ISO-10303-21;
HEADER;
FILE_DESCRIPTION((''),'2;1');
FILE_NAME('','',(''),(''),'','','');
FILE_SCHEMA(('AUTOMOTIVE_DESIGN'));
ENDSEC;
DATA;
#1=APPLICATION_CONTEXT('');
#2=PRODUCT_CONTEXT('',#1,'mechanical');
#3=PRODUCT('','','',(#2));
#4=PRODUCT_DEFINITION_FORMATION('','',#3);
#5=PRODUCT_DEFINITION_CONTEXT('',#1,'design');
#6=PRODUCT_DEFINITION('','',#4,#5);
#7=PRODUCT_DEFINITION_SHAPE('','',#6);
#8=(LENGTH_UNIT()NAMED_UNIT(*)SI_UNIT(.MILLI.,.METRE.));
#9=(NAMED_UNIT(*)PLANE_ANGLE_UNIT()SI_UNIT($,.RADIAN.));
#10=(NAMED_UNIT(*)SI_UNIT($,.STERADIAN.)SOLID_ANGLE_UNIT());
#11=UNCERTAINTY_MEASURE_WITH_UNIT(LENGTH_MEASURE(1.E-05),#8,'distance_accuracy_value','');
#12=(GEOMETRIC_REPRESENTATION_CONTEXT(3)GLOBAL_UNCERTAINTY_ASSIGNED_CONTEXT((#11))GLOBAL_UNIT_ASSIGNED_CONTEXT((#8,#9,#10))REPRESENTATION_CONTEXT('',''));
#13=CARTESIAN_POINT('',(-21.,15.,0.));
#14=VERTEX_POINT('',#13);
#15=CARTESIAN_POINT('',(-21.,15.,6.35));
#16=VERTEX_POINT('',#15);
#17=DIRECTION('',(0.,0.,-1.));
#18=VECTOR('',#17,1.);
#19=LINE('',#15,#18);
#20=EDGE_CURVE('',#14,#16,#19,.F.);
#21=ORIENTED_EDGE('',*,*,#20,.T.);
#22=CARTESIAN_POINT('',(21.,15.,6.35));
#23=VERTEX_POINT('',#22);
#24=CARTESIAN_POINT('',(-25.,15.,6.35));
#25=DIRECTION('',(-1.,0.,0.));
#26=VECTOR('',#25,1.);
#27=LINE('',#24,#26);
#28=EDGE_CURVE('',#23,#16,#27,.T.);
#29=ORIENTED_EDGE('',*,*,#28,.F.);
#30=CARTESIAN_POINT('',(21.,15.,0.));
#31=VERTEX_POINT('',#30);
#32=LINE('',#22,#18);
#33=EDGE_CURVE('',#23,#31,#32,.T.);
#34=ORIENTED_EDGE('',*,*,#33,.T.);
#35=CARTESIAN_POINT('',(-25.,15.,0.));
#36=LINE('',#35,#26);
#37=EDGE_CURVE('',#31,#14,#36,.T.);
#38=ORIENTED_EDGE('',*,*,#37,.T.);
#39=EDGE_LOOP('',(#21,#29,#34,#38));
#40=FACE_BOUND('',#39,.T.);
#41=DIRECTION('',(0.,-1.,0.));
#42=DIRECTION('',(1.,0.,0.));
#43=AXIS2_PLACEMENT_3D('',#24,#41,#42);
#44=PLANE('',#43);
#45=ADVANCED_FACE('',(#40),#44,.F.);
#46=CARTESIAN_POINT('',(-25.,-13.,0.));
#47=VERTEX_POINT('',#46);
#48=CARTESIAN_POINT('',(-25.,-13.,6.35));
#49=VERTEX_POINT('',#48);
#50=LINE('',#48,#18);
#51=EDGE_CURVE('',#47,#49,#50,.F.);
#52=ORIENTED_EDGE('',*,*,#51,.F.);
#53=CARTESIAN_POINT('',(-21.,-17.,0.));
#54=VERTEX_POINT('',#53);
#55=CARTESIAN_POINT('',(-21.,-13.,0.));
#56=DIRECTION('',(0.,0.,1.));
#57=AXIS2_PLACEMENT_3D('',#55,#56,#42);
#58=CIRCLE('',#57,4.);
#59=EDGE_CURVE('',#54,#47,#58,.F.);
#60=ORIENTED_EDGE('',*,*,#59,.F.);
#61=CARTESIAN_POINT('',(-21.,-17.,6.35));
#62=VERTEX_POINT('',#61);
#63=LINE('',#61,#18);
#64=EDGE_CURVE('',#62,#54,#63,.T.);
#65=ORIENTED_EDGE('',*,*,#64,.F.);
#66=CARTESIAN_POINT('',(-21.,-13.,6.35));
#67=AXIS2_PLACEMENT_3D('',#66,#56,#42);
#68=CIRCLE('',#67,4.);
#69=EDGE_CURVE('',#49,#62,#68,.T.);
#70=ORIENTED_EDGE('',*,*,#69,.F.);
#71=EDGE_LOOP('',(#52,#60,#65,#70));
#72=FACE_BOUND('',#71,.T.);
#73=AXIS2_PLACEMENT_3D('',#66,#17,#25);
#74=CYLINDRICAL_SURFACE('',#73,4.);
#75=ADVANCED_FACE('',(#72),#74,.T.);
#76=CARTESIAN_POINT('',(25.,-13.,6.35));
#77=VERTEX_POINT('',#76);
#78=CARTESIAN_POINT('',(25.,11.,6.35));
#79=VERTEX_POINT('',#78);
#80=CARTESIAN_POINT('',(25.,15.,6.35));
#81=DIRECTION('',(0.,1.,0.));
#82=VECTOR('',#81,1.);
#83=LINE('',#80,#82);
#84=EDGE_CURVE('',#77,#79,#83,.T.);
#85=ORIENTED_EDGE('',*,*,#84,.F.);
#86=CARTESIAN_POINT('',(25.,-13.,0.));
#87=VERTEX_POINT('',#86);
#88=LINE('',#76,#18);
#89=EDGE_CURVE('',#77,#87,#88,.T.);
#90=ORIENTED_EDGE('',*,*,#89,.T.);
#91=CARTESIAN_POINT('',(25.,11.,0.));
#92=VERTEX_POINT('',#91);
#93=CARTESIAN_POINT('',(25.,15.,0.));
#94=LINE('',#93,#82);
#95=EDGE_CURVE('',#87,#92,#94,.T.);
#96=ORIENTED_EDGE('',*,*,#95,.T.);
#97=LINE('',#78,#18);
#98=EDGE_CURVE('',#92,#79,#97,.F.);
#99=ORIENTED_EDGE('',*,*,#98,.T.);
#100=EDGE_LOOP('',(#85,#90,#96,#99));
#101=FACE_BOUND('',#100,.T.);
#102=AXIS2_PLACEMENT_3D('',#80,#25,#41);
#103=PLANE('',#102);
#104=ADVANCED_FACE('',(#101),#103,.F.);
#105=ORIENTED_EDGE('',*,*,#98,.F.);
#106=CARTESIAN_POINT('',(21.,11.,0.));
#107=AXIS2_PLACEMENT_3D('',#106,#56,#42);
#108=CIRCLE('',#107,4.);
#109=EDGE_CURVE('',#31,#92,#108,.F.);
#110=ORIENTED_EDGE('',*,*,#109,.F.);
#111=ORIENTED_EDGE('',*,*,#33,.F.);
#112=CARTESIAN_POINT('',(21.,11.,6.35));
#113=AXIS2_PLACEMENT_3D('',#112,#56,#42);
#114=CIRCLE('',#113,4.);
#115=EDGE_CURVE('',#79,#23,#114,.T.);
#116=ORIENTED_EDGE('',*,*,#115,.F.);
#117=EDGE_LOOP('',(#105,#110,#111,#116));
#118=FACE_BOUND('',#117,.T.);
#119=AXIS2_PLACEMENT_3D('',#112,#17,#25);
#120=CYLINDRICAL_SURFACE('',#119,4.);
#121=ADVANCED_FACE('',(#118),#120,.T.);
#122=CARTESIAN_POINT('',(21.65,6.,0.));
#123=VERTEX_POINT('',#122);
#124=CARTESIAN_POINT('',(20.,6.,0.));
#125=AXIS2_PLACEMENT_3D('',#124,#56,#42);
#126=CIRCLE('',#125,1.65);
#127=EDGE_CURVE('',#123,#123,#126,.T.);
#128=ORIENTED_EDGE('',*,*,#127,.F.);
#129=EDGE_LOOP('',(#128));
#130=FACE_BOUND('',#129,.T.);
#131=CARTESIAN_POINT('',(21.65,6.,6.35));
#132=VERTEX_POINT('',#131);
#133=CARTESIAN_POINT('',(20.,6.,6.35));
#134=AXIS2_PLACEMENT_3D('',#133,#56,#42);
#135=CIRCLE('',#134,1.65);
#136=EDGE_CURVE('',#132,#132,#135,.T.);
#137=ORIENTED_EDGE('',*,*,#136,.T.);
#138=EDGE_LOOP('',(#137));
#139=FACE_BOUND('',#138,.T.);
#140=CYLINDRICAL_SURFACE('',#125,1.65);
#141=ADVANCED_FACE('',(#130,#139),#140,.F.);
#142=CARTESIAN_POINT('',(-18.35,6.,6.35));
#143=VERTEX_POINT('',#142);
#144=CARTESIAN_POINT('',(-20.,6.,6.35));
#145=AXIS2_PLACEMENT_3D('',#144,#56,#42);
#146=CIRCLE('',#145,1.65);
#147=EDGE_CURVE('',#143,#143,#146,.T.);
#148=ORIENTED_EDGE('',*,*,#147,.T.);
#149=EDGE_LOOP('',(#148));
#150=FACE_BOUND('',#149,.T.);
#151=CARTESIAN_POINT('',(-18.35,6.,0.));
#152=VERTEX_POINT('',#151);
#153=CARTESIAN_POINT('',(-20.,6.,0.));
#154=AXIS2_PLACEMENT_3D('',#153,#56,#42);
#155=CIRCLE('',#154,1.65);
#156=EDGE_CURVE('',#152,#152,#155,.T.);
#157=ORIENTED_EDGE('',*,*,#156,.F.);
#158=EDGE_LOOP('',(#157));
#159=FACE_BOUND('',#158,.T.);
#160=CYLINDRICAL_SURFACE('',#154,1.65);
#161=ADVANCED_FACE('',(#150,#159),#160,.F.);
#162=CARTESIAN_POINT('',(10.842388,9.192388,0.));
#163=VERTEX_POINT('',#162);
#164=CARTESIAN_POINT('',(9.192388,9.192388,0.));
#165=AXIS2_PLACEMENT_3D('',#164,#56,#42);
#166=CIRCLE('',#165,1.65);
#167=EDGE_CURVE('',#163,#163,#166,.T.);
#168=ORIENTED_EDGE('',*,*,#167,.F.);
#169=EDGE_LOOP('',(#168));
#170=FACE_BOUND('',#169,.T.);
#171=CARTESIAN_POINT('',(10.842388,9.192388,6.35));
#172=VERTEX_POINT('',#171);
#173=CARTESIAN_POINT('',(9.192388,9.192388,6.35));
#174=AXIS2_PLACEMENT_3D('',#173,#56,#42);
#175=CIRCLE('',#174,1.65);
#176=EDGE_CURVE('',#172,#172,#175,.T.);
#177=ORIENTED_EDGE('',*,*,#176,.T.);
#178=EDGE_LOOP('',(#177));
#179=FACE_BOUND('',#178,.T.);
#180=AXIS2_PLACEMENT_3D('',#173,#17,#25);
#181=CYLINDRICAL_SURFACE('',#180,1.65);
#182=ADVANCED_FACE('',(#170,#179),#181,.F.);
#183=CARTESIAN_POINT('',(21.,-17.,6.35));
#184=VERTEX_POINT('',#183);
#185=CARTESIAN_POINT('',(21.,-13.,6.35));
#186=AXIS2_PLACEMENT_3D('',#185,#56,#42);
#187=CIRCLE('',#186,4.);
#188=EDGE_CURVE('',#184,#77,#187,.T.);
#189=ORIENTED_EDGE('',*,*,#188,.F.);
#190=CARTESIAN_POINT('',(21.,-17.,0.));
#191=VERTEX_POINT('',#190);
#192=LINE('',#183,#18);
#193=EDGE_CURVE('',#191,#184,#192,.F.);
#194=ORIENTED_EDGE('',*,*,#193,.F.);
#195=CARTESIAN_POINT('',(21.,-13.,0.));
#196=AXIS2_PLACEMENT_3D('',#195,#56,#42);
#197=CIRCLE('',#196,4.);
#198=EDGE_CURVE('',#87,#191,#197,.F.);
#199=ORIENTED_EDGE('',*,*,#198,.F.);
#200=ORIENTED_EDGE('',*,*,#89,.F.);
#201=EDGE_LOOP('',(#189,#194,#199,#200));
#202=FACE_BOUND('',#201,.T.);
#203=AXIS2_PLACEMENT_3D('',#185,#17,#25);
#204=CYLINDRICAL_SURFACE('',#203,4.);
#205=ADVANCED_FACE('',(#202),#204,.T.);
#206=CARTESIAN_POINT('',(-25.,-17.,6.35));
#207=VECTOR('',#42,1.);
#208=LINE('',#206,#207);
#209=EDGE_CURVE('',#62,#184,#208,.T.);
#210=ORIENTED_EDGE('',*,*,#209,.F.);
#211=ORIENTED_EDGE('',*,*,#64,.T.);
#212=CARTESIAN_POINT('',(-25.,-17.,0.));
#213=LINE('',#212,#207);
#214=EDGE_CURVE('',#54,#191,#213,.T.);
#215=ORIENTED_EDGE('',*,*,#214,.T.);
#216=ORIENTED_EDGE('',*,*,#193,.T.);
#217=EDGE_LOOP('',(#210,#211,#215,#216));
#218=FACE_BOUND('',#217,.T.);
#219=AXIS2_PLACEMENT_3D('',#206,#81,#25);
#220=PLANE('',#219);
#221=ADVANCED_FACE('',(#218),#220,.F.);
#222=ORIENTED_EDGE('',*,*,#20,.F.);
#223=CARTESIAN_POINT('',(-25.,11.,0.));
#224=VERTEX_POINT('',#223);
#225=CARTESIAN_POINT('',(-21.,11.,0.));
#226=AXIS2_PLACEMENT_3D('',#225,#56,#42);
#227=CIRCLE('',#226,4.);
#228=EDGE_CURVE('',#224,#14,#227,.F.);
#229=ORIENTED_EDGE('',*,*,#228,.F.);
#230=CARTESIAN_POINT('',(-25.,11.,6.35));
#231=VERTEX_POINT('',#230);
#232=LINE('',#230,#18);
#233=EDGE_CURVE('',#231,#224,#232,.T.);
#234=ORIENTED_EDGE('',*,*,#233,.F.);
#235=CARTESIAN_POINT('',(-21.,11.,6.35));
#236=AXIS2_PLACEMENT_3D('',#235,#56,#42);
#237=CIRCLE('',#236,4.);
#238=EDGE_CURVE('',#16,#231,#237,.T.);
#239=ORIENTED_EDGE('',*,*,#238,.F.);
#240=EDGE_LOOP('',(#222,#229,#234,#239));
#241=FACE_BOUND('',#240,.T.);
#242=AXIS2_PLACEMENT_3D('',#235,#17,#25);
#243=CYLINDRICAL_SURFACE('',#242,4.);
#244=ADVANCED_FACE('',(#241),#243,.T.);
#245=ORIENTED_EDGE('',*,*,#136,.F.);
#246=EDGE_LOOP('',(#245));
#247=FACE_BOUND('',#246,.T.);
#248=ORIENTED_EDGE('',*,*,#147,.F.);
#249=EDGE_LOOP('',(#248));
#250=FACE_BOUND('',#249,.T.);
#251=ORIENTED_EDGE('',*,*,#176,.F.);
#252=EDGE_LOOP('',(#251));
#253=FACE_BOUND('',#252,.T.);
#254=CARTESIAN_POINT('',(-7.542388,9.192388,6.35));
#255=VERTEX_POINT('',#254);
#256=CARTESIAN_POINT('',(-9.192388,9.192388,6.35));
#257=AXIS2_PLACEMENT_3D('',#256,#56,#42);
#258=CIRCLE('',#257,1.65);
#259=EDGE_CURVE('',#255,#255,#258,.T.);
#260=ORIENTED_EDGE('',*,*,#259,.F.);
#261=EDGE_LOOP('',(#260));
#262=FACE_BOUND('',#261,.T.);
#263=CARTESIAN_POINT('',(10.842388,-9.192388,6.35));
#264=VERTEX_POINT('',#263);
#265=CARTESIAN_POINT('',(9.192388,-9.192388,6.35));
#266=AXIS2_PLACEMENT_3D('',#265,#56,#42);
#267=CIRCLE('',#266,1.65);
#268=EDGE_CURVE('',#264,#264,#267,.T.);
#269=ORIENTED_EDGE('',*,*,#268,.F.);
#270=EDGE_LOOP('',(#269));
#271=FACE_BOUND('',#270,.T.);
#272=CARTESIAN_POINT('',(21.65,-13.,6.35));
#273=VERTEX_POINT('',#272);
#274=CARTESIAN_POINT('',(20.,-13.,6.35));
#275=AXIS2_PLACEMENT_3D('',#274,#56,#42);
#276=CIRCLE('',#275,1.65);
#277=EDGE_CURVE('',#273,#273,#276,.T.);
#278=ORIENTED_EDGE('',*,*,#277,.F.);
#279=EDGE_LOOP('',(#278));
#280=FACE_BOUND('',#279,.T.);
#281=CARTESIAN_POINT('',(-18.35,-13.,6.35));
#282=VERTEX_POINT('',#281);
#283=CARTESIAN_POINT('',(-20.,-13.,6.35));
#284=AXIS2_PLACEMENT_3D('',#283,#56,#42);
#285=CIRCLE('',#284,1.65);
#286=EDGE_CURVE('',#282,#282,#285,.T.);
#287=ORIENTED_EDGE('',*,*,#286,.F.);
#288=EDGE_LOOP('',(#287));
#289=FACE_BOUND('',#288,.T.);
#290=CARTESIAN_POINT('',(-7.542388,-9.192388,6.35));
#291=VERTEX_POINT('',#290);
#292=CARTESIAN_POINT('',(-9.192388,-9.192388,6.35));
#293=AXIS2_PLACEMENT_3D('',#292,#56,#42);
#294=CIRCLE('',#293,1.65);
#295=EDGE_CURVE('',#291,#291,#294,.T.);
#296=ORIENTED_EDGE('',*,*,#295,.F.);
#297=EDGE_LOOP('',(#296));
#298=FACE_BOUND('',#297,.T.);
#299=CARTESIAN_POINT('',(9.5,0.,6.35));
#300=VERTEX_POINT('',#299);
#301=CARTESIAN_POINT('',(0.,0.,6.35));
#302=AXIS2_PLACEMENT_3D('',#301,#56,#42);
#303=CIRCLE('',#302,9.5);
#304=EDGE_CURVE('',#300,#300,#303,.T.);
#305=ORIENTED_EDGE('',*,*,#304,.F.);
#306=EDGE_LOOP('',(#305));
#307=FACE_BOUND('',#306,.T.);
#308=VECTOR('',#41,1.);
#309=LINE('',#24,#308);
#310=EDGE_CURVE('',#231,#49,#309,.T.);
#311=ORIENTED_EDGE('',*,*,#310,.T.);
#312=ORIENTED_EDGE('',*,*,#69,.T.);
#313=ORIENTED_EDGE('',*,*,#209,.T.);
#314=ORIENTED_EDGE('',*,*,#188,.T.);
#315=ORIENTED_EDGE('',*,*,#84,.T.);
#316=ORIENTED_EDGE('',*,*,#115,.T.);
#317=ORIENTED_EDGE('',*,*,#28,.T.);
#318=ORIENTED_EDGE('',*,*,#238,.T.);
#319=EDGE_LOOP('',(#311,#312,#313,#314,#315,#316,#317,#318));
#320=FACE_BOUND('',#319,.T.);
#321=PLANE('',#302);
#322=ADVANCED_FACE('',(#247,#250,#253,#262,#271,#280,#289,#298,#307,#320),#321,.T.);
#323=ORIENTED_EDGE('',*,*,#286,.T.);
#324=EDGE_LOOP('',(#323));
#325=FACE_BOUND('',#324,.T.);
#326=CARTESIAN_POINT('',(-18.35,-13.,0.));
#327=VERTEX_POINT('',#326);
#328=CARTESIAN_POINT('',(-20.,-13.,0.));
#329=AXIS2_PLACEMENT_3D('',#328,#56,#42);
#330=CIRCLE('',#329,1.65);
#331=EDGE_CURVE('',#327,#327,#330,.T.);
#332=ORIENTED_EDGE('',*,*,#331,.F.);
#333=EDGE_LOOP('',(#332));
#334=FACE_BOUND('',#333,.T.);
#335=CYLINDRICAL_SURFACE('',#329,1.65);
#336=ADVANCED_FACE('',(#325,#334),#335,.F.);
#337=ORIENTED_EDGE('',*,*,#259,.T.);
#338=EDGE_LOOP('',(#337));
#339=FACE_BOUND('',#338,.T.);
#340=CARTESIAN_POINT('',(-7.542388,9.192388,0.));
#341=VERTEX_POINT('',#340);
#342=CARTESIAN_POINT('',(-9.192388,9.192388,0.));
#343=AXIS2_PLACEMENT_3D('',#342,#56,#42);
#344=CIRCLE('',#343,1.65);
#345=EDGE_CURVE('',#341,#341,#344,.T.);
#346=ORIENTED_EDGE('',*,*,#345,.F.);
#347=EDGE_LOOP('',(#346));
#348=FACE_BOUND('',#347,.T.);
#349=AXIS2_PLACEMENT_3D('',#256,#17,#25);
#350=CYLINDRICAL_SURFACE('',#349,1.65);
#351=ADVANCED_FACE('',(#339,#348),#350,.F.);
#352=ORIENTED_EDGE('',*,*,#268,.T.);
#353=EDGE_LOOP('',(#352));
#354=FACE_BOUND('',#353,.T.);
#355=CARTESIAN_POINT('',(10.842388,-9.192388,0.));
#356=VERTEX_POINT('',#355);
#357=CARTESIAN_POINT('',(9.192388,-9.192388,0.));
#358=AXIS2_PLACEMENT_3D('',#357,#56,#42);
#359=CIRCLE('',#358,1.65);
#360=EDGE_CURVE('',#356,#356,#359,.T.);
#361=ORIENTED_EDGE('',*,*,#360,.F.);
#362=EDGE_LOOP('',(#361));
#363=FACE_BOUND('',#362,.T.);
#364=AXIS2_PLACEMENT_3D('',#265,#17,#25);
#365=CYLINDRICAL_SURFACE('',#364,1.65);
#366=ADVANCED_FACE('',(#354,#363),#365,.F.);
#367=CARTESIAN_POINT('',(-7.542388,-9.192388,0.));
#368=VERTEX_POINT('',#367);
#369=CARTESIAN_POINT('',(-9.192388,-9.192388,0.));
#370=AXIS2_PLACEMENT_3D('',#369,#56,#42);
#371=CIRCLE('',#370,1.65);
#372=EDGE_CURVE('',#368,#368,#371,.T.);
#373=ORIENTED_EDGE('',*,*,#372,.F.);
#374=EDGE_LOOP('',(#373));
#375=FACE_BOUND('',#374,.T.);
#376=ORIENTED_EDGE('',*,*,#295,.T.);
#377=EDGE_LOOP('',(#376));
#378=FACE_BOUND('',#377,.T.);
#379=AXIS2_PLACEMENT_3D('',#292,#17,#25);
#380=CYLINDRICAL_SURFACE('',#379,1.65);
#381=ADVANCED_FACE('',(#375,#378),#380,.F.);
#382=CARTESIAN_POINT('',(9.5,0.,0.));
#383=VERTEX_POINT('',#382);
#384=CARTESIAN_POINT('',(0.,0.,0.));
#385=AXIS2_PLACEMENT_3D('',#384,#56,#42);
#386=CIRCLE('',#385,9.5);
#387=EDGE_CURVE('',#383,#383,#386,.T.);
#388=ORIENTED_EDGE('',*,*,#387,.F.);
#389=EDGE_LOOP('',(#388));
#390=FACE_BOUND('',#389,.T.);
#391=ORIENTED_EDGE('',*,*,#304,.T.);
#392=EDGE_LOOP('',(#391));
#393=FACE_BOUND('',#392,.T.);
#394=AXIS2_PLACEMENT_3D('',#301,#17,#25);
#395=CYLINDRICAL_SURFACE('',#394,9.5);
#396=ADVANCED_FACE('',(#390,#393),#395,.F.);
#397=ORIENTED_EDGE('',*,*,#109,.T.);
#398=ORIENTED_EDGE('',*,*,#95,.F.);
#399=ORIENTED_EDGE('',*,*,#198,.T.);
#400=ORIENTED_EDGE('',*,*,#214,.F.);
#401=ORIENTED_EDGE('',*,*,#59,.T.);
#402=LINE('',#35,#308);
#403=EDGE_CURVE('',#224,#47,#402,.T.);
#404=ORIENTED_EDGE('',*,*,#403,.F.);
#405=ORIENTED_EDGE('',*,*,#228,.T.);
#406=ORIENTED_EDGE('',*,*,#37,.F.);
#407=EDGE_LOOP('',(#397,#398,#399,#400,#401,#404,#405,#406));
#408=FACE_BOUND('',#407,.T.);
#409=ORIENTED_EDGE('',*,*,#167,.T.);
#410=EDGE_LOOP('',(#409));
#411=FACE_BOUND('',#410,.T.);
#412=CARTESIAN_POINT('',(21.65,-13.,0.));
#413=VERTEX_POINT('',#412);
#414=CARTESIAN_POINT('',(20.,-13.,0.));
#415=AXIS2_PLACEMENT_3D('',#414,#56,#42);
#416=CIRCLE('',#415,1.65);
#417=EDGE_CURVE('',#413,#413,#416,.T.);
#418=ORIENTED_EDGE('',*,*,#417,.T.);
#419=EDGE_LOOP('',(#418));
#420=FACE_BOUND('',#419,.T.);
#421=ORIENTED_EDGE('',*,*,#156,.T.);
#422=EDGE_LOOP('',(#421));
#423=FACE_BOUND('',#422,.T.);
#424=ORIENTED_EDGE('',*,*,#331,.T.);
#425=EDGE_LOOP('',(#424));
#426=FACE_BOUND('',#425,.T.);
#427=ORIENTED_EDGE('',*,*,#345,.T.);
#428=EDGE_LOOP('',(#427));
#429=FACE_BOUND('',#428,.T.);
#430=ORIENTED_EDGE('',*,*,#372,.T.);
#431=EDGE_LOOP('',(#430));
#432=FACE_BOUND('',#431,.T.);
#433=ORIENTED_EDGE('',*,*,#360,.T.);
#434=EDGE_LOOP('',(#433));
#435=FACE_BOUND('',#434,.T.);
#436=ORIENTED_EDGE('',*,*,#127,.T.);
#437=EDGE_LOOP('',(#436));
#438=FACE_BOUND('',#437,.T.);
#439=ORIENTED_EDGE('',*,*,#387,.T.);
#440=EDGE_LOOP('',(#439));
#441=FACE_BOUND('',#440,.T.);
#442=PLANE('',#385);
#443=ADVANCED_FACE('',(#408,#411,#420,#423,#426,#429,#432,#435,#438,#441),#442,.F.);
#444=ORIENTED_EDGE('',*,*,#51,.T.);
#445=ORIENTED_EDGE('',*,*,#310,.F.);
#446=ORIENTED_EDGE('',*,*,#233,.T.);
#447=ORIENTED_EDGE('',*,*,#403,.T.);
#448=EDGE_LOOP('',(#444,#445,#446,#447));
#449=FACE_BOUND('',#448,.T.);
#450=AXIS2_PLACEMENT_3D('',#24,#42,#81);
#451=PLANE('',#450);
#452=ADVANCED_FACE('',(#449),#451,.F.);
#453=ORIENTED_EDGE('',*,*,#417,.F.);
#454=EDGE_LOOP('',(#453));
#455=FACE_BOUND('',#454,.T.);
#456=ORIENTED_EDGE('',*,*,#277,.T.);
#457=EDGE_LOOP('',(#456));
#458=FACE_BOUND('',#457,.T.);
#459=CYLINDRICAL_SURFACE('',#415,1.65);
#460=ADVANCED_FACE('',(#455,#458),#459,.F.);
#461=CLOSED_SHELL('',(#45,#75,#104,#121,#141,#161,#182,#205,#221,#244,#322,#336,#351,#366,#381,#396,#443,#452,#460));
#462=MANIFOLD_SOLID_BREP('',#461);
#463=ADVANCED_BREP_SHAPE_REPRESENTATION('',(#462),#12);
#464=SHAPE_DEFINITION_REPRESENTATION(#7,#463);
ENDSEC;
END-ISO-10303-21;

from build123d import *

# Parameters (mm, degrees)
SKETCH1_W           = 50
SKETCH1_H           = 32
SKETCH1_R           = 9.5
SKETCH1_R_2         = 1.65
BOSS_EXTRUDE1_DEPTH = 6.35
SKETCH2_R           = 1.65
CUT_EXTRUDE1_DEPTH  = 31.892110643
FILLET1_R           = 4


with BuildPart() as part:
    # Sketch1 → Boss-Extrude1 (new body)
    with BuildSketch(Plane.XY):
        with Locations((0, -1)):
            Rectangle(SKETCH1_W, SKETCH1_H)
        Circle(SKETCH1_R, mode=Mode.SUBTRACT)
        with Locations((-9.192388155, 9.192388155)):
            Circle(SKETCH1_R_2, mode=Mode.SUBTRACT)
        with Locations((9.192388155, 9.192388155)):
            Circle(SKETCH1_R_2, mode=Mode.SUBTRACT)
        with Locations((9.192388155, -9.192388155)):
            Circle(SKETCH1_R_2, mode=Mode.SUBTRACT)
        with Locations((-9.192388155, -9.192388155)):
            Circle(SKETCH1_R_2, mode=Mode.SUBTRACT)
    extrude(amount=BOSS_EXTRUDE1_DEPTH)

    # Sketch2 → Cut-Extrude1 (cut, through all)
    with BuildSketch(Plane.XY.offset(6.35)):
        with Locations((-20, 6)):
            Circle(SKETCH2_R)
        with Locations((-20, -13)):
            Circle(SKETCH2_R)
        with Locations((20, -13)):
            Circle(SKETCH2_R)
        with Locations((20, 6)):
            Circle(SKETCH2_R)
    extrude(amount=-CUT_EXTRUDE1_DEPTH, mode=Mode.SUBTRACT)

    # Fillet1
    fillet1_edges = [part.edges().sort_by_distance(p)[0] for p in [
        (-25, 15, 3.175),
        (25, 15, 3.175),
        (25, -17, 3.175),
        (-25, -17, 3.175),
    ]]
    fillet(fillet1_edges, radius=FILLET1_R)


solid = part.part
